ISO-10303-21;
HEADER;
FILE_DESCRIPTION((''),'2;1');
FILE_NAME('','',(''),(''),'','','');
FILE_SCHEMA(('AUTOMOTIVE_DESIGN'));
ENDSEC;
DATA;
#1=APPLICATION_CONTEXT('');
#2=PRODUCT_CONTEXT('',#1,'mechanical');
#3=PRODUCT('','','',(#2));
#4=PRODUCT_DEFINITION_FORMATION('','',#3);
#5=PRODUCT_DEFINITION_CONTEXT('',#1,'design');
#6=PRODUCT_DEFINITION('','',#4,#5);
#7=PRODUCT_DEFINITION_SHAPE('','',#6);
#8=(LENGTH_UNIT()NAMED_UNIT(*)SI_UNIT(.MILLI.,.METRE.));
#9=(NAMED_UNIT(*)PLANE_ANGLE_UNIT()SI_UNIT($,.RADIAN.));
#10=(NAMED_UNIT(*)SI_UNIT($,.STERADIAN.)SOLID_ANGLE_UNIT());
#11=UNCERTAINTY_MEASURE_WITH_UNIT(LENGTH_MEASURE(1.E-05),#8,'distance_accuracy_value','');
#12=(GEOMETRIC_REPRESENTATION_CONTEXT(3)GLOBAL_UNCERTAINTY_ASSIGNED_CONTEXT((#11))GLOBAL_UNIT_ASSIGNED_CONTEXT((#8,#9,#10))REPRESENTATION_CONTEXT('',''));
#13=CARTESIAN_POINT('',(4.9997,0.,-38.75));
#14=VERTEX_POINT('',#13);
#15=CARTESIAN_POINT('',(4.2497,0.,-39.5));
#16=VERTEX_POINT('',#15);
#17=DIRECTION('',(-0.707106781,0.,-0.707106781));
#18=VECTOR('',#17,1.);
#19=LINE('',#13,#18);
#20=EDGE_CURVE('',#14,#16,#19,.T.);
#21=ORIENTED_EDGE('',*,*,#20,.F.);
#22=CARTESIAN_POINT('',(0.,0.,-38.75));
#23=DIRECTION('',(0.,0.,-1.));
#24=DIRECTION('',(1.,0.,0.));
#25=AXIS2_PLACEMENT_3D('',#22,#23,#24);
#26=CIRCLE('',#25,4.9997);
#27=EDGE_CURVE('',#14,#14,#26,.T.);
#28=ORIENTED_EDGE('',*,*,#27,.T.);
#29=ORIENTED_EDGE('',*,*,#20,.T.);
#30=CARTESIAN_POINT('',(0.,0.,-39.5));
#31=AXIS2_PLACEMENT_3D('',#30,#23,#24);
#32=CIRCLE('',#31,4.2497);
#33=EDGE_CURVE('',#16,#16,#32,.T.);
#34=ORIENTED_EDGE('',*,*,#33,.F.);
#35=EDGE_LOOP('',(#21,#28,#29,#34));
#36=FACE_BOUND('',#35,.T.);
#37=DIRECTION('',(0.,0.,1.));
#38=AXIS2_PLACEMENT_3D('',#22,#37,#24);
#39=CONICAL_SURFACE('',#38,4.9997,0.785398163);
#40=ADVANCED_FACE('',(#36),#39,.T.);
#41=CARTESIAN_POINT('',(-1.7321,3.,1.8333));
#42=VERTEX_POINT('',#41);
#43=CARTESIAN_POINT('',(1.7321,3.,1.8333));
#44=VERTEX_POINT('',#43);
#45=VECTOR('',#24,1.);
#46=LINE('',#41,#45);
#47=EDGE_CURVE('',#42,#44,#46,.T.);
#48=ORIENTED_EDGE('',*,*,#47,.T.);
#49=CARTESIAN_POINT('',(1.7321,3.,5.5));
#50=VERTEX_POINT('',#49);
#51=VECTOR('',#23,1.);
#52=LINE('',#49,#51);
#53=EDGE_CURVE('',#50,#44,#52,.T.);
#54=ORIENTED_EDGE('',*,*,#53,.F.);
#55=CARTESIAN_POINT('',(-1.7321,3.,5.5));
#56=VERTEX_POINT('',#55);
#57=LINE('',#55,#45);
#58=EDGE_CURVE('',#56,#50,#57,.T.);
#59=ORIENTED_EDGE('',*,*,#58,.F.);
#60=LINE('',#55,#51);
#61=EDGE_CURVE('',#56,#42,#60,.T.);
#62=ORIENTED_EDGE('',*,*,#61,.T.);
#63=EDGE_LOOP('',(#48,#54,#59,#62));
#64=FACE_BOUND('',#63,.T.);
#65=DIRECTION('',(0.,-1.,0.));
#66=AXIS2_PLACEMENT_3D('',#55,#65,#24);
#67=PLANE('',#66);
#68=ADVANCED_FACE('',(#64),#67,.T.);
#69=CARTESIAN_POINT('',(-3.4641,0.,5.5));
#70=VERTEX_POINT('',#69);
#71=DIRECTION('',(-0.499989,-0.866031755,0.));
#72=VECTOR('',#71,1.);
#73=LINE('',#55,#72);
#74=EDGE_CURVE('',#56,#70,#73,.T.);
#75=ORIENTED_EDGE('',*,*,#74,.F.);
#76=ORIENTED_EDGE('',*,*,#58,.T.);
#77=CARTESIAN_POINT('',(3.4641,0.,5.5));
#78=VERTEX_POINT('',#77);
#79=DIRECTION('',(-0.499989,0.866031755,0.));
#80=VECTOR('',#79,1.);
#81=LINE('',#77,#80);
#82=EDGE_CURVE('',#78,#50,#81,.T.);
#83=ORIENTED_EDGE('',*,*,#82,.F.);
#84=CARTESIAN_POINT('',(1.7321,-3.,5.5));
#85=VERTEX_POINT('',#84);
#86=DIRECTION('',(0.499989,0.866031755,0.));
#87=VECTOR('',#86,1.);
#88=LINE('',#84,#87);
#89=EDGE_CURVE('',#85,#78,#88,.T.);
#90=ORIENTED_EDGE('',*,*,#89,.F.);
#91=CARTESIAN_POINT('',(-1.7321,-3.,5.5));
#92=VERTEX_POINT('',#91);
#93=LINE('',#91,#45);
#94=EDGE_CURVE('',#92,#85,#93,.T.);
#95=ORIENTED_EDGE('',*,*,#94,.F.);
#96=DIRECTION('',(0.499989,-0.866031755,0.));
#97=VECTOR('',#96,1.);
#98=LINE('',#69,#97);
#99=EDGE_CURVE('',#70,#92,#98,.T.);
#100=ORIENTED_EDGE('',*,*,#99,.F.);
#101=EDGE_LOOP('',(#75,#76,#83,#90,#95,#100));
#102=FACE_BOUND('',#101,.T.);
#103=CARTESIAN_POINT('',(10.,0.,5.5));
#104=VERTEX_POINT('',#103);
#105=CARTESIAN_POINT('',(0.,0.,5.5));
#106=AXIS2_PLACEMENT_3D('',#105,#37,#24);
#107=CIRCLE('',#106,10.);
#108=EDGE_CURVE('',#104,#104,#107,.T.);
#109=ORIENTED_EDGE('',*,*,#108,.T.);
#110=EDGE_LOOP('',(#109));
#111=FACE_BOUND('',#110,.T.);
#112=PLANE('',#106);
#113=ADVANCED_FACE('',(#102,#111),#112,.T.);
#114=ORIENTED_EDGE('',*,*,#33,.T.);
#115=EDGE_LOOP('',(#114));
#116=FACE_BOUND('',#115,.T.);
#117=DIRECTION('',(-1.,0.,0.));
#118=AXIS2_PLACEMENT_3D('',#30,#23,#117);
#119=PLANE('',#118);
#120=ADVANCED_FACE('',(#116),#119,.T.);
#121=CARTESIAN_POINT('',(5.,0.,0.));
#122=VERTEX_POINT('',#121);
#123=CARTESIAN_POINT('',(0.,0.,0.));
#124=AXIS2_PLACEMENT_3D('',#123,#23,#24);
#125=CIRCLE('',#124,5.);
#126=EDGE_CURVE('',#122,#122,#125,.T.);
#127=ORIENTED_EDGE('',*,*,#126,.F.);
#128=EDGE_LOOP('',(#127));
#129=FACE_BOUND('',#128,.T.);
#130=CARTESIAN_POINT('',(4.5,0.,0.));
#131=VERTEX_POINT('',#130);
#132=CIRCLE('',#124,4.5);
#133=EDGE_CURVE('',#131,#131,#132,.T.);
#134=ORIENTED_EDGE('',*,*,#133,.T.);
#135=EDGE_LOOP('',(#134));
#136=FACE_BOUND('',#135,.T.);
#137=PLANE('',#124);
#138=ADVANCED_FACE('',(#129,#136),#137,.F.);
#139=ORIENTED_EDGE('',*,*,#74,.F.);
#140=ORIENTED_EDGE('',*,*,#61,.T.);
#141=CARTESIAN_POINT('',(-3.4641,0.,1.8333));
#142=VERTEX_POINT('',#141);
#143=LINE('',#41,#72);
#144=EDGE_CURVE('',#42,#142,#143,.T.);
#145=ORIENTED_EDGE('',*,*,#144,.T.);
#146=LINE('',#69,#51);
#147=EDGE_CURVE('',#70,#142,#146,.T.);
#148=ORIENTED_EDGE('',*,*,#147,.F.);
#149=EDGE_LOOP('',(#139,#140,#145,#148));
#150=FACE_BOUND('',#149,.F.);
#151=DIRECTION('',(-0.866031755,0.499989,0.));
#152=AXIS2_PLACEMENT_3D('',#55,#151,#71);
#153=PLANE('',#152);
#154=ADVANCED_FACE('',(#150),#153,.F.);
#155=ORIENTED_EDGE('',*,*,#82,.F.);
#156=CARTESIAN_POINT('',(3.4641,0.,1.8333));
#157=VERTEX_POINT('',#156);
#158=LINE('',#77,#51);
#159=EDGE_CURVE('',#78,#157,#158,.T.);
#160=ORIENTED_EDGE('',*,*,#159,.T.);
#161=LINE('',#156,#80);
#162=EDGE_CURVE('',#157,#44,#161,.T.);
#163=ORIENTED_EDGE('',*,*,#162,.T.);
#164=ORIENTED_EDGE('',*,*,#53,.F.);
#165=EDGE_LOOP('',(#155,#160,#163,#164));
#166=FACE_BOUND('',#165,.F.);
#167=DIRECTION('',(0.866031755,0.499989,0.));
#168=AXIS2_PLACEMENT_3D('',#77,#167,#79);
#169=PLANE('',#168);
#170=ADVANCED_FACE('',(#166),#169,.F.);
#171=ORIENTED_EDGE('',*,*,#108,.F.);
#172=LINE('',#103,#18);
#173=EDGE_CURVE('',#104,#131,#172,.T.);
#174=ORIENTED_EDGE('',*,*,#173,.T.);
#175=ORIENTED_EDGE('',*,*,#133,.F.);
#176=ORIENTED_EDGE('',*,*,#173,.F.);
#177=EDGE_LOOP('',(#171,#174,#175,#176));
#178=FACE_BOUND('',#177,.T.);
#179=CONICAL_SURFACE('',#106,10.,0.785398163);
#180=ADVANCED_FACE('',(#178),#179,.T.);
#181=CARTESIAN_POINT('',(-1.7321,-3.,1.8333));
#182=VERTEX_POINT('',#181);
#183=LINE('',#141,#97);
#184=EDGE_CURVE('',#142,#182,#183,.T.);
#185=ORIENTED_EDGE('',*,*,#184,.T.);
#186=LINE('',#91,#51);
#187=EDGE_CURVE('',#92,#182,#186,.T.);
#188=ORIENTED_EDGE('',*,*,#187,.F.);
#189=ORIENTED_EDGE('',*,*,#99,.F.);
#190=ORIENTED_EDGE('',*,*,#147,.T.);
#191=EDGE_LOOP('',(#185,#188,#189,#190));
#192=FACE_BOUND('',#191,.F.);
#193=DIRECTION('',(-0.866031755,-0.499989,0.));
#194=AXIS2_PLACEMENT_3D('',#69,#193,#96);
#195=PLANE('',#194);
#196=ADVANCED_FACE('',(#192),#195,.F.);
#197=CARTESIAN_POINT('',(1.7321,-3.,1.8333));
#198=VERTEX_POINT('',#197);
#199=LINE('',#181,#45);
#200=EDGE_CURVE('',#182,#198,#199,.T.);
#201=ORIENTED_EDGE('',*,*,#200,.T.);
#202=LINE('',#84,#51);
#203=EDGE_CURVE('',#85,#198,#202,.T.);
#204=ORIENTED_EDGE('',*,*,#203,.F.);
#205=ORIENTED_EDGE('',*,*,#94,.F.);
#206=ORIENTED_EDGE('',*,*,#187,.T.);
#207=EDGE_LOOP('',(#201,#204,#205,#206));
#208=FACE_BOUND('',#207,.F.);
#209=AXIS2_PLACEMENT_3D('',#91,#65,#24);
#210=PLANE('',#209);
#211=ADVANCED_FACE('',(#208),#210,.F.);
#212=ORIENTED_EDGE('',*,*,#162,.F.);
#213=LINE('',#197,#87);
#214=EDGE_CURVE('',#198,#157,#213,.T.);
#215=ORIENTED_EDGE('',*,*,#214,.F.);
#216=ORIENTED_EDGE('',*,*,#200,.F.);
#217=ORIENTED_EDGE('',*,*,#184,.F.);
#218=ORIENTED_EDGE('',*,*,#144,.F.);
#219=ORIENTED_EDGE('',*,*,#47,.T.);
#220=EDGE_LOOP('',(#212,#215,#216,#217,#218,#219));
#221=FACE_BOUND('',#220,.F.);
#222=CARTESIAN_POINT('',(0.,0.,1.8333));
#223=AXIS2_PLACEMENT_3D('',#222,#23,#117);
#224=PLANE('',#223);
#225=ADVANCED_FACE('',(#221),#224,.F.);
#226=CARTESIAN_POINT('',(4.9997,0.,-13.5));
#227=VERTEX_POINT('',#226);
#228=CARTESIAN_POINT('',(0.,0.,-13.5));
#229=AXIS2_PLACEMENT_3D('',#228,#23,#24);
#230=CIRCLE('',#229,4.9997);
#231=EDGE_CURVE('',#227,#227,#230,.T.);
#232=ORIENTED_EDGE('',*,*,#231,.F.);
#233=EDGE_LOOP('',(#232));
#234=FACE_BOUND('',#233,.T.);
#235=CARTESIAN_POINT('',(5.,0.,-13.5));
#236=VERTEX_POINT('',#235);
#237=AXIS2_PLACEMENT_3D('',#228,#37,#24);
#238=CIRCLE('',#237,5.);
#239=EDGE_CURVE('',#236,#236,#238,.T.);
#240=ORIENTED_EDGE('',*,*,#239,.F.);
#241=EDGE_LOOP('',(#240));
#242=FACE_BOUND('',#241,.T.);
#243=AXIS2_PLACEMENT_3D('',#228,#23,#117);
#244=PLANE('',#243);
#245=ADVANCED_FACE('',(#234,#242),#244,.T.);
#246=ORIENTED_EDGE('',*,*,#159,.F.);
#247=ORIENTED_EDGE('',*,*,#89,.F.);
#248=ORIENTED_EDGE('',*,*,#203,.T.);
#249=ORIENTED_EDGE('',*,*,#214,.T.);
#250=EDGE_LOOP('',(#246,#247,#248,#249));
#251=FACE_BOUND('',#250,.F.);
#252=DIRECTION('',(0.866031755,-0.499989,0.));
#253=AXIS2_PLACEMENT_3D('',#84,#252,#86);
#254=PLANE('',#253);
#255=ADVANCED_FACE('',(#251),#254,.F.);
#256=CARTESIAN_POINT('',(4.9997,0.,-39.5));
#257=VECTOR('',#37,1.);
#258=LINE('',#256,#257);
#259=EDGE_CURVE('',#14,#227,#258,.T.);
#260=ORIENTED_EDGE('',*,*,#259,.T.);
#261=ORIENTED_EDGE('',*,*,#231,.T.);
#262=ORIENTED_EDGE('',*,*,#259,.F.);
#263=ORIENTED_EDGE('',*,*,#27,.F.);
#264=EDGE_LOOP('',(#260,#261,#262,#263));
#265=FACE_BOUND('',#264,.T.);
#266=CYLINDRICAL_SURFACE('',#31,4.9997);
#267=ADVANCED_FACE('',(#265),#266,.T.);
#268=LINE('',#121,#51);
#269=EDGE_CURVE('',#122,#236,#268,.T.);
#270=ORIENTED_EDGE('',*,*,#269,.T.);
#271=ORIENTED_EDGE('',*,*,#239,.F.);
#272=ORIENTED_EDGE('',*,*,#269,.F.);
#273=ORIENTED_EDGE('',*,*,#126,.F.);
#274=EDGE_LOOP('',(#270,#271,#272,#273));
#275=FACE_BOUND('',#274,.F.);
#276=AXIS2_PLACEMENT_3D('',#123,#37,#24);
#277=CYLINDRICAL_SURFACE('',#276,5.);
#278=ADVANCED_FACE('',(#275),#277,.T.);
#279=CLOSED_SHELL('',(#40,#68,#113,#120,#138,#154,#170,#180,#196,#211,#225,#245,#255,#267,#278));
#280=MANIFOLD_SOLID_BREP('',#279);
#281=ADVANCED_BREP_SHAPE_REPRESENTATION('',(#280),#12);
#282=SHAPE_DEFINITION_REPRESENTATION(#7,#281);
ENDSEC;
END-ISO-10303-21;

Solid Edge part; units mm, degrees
sketch "Sketch1" plane through (0, 0, 0) normal (0, 0, 1) x (1, 0, 0)
  circle A0 centre (0, 0) radius 10
  dimension "D1" = 20
extrude "Protrusion1" add sketch "Sketch1" along normal blind 5.5
sketch "Sketch2" plane through (0, 0, 0) normal (0, 0, -1) x (1, 0, 0)
  circle A0 centre (0, 0) radius 5
extrude "Protrusion2" add sketch "Sketch2" along normal blind 39.5
sketch "Sketch3" plane through (0, 0, -39.5) normal (0, 0, -1) x (1, 0, 0)
  circle A0 centre (0, 0) radius 4.9997
extrude "Cutout1" cut sketch "Sketch3" against normal blind 26 flip side to cut
chamfer "Chamfer_1" distance 0.75 angle 45 1 edges at (-4.9997, 0, -39.5)
sketch "Sketch4" plane through (0, 0, 5.5) normal (0, 0, 1) x (1, 0, 0)
  line L0 (-1.7321, 3) -> (1.7321, 3)
  line L1 (3.4641, 0) -> (1.7321, 3)
  line L2 (1.7321, -3) -> (3.4641, 0)
  line L3 (-1.7321, -3) -> (1.7321, -3)
  line L4 (-3.4641, 0) -> (-1.7321, -3)
  line L5 (-1.7321, 3) -> (-3.4641, 0)
  dimension "D1" = 6
extrude "Cutout2" cut sketch "Sketch4" against normal blind 3.6667
sketch "Sketch5" plane through (0, 0, 0) normal (0, -1, 0) x (1, 0, 0)
  line L0 (10, 5.5) -> (4.5, 0)
  line L1 (4.5, 0) -> (10, 0)
  line L2 (10, 0) -> (10, 5.5)
revolve "RevolvedCutout1" cut sketch "Sketch5" angle 360 about axis through (0, 0, 14.0017) along (0, 0, -1)
properties part number "185740" material "Stainless Steel, 304"
